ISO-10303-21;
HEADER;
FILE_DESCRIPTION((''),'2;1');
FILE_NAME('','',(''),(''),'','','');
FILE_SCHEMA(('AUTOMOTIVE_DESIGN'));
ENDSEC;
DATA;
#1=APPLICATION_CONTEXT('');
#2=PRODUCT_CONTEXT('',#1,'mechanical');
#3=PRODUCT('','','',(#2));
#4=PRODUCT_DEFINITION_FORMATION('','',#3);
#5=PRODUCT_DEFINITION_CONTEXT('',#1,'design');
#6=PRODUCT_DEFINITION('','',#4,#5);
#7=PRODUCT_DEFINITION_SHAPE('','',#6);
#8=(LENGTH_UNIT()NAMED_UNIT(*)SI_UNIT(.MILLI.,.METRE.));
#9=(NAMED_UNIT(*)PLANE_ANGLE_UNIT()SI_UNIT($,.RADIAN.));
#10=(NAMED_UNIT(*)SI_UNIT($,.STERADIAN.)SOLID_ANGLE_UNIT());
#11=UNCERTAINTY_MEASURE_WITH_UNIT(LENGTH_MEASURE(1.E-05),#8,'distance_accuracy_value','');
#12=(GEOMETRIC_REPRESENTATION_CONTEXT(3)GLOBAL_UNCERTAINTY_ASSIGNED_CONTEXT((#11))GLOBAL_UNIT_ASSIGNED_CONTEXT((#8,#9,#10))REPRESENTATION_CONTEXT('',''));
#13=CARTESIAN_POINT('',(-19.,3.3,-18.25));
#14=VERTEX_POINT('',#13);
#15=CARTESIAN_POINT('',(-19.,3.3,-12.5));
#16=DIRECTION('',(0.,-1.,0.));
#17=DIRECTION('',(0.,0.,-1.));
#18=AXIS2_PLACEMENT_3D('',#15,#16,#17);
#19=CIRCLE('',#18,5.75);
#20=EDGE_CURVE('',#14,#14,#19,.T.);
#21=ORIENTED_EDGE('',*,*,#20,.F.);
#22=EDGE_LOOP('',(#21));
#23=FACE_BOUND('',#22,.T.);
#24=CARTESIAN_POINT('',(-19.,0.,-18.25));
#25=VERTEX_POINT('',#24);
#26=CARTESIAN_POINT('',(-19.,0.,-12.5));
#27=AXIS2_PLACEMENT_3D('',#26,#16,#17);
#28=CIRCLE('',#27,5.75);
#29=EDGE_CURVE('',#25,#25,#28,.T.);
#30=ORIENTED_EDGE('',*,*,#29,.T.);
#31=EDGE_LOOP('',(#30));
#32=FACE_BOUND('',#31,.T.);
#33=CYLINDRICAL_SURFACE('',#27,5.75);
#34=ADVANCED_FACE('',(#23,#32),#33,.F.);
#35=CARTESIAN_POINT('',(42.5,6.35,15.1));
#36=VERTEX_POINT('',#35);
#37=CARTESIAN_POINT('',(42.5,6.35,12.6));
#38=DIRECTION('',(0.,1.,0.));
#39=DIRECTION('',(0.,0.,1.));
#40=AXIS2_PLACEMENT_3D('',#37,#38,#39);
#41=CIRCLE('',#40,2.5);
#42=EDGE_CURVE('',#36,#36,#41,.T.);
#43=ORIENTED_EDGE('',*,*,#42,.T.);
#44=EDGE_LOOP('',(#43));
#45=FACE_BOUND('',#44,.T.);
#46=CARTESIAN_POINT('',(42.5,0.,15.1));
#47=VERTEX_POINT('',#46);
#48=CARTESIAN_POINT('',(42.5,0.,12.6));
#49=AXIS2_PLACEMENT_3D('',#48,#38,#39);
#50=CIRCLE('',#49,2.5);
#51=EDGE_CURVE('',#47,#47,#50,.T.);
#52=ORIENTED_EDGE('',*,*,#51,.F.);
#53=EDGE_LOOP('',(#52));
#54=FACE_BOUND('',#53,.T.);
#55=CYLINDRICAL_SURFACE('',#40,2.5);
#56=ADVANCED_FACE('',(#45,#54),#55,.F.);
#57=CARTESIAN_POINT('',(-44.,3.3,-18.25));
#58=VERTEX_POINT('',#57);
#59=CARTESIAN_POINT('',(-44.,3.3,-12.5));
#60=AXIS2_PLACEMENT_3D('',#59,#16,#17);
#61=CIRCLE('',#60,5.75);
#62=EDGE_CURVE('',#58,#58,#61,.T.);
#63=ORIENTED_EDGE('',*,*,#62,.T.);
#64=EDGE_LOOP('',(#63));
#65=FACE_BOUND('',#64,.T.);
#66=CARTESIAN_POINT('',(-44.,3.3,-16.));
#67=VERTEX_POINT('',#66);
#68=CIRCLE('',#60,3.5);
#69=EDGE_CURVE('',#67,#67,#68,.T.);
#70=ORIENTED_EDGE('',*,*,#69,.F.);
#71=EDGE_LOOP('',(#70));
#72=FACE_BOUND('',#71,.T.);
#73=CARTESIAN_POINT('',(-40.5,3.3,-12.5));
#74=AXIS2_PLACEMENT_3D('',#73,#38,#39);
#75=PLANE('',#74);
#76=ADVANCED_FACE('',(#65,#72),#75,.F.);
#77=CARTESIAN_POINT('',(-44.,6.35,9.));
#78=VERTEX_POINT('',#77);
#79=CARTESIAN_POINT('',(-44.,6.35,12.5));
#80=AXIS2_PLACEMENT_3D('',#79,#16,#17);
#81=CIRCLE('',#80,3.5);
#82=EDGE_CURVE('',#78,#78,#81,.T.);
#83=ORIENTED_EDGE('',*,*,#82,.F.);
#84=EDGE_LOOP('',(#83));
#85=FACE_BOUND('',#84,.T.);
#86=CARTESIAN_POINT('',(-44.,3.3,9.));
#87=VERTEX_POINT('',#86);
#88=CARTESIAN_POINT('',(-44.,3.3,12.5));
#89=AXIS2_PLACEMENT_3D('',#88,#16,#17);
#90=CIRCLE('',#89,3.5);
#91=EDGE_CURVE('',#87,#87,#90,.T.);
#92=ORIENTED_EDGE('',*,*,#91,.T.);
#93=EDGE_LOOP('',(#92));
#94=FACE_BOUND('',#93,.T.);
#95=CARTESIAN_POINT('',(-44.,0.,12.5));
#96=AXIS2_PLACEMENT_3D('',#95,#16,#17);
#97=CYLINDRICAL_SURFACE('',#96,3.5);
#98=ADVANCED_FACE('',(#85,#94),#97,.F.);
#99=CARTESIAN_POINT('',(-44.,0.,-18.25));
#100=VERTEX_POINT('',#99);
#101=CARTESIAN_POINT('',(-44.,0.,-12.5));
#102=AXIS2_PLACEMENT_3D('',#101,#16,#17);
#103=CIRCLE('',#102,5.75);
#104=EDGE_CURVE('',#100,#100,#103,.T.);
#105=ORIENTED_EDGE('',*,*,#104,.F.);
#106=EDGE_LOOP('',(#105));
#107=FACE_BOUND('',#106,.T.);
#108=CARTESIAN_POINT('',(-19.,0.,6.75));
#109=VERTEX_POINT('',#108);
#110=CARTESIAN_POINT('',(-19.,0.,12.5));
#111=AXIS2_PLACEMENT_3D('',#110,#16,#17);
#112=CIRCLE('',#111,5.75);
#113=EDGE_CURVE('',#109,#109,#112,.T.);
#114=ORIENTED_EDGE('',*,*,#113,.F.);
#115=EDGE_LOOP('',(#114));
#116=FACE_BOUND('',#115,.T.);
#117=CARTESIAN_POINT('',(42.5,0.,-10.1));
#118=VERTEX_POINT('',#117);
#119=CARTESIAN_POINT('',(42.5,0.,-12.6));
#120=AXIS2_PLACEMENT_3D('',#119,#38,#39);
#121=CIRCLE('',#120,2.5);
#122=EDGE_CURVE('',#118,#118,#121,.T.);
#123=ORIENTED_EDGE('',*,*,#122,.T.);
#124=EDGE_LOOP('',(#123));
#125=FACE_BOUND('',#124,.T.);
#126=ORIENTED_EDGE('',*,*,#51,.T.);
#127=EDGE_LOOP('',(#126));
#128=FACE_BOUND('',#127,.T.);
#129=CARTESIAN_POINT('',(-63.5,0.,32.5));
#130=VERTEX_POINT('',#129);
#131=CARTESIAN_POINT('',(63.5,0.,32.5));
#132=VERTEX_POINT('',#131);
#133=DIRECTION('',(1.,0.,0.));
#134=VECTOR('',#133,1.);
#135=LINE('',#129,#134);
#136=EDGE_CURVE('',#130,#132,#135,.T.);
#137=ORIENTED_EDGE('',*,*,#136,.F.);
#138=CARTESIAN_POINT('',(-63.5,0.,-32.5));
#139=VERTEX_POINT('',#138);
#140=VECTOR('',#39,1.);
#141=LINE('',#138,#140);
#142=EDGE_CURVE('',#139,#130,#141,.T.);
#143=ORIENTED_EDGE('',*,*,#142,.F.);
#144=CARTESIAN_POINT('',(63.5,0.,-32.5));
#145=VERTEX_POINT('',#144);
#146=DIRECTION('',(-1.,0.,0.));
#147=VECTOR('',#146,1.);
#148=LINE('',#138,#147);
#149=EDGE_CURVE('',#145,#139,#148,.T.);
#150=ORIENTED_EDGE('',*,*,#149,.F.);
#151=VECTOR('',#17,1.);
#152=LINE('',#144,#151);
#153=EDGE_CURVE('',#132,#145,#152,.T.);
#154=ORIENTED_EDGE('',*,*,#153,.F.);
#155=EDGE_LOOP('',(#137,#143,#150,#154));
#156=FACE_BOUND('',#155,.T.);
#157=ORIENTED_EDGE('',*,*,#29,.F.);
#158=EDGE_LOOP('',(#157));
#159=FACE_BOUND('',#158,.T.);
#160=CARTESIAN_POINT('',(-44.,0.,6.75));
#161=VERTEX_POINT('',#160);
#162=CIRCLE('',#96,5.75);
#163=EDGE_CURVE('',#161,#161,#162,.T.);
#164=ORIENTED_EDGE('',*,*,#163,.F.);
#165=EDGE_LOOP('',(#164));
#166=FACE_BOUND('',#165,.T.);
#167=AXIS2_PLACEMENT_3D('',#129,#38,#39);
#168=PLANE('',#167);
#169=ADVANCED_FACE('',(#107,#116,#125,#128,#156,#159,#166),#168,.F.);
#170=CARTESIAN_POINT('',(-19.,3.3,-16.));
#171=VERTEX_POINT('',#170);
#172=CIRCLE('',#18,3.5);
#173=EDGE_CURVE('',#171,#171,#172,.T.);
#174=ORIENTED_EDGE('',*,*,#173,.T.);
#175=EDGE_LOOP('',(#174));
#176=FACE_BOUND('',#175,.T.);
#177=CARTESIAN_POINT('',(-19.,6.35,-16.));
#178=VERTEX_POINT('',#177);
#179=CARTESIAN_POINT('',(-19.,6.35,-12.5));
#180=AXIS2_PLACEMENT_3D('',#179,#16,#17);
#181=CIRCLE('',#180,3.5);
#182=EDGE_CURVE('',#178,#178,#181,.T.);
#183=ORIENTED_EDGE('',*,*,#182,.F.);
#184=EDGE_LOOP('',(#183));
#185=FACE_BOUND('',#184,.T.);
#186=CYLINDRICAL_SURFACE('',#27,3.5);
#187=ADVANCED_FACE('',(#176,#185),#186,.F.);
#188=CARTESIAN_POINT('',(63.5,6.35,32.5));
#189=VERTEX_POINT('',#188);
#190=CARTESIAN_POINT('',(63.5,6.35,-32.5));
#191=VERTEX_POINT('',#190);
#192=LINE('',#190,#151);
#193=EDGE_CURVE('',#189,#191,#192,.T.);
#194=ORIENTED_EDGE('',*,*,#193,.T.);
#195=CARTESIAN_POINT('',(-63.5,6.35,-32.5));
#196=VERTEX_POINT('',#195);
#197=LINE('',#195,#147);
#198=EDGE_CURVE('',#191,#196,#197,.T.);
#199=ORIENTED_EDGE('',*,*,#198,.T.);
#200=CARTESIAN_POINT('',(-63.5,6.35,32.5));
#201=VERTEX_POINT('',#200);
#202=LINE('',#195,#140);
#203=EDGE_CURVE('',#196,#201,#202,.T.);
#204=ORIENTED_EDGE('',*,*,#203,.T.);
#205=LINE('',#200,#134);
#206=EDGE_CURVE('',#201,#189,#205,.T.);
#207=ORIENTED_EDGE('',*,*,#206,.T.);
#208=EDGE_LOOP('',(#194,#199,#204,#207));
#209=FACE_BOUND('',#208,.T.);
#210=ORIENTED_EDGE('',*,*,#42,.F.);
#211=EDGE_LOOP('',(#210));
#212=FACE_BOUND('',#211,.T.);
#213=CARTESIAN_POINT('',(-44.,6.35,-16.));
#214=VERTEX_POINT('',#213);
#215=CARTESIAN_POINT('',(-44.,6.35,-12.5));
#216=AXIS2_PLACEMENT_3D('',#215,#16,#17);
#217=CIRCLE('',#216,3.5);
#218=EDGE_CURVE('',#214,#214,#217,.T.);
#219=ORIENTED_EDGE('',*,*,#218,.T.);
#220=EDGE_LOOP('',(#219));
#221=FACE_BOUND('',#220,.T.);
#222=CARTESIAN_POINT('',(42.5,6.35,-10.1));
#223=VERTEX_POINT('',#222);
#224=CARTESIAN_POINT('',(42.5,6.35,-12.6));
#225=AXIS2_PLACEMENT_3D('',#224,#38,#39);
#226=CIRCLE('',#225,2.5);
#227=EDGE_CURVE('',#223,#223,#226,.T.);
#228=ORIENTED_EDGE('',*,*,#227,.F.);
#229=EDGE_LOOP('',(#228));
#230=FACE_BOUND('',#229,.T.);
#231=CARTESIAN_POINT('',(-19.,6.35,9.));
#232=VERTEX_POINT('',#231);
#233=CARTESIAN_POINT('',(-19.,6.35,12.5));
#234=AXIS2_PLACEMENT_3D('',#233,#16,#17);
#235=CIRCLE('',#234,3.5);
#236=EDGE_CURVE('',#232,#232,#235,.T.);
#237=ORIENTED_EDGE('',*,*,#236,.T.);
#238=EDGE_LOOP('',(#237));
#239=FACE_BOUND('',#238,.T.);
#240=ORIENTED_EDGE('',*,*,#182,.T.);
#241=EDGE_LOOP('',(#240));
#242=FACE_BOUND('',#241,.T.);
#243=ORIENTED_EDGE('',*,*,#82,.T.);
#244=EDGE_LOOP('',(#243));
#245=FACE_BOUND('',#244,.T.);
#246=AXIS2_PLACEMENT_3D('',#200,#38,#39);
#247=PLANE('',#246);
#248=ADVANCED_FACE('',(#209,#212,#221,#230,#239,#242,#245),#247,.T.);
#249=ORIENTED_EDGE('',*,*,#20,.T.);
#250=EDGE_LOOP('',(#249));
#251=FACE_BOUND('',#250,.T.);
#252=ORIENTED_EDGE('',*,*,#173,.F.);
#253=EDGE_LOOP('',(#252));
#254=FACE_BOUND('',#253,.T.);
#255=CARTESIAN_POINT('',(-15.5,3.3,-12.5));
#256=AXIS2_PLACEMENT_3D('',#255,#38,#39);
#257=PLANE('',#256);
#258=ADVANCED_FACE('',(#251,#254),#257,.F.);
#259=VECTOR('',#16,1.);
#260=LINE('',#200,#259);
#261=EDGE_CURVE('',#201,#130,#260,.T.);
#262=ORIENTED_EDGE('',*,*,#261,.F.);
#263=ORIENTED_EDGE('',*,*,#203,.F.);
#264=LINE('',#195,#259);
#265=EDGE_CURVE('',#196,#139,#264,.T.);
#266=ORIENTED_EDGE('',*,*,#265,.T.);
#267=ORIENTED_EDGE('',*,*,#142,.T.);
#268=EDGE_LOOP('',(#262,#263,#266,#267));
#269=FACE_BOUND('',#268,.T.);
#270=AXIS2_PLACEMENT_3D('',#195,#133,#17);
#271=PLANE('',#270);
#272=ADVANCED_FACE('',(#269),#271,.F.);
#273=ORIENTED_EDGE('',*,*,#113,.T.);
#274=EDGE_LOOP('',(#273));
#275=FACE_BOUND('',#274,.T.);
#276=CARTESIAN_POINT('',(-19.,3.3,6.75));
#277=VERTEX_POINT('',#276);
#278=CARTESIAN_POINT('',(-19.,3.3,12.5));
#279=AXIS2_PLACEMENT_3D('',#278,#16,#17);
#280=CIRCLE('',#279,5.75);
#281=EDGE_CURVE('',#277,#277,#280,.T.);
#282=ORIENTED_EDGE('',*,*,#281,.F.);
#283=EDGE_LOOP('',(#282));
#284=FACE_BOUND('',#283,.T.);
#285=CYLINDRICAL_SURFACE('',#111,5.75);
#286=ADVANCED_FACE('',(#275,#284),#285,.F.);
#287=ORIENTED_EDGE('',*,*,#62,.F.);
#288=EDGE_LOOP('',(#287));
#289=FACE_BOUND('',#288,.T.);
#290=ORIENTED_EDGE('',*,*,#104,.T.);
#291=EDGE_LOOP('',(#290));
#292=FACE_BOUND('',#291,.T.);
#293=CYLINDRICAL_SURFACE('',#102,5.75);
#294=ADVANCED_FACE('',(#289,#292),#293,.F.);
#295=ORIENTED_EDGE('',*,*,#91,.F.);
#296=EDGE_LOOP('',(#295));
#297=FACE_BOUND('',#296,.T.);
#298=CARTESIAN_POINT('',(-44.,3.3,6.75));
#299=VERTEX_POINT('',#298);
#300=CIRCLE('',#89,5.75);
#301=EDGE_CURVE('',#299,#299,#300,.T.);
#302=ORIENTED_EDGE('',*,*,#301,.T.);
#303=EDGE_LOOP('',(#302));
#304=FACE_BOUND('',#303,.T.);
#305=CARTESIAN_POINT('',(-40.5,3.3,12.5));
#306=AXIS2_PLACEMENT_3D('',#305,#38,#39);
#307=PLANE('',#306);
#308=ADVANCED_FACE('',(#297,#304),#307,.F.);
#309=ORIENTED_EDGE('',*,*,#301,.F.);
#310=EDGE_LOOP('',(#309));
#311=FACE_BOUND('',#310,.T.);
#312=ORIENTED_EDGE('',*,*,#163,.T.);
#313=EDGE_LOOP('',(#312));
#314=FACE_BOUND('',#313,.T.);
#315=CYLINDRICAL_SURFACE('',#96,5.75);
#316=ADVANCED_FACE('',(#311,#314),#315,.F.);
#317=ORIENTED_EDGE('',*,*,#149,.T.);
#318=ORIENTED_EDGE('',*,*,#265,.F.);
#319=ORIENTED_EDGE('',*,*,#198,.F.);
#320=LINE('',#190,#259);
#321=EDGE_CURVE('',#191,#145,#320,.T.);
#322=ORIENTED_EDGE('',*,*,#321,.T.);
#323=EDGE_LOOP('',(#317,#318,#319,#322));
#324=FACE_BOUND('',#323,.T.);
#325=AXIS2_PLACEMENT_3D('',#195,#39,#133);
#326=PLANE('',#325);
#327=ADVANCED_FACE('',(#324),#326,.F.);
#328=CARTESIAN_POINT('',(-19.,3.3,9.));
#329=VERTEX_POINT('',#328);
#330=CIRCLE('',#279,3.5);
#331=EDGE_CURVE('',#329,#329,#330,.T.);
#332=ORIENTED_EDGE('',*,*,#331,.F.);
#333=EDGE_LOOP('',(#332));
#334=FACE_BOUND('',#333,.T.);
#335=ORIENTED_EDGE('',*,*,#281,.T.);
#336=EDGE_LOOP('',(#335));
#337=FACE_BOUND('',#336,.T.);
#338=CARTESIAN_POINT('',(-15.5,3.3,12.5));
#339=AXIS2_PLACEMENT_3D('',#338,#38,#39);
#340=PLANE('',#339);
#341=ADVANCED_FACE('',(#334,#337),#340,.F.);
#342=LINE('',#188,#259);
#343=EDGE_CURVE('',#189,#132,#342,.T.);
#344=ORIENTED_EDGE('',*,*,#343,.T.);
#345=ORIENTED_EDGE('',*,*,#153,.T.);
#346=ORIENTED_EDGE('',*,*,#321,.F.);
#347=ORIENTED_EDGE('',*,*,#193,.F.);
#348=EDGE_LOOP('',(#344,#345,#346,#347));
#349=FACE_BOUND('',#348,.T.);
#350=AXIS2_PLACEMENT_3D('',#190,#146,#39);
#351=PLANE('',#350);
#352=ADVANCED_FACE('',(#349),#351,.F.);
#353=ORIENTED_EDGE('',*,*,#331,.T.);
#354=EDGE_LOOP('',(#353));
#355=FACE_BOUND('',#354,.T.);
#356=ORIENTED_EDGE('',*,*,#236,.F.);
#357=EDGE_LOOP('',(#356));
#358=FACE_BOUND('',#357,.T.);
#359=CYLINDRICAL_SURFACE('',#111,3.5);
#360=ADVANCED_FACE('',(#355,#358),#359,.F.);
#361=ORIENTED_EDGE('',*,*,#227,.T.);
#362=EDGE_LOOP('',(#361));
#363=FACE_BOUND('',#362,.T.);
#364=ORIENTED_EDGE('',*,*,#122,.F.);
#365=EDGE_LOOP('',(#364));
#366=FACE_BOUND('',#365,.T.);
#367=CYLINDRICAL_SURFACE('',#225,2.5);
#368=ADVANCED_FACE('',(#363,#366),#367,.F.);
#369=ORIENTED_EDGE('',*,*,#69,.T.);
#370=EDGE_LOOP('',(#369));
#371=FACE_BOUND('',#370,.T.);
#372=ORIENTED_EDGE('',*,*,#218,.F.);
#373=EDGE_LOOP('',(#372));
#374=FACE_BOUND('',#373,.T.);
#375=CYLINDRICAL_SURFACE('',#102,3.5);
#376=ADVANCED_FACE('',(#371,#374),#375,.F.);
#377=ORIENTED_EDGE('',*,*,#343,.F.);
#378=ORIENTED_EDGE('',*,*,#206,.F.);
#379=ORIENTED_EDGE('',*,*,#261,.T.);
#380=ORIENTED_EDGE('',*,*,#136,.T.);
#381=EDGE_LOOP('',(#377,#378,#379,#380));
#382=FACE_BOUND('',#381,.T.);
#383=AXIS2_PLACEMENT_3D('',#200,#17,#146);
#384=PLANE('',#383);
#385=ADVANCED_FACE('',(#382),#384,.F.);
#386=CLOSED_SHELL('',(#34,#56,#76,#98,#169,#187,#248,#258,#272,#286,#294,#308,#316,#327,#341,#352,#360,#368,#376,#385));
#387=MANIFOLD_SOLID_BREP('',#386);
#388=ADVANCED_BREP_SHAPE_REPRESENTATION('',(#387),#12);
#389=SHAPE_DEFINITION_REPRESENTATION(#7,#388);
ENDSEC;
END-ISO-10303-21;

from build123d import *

# Parameters (mm, degrees)
SKETCH1_W                       = 127
SKETCH1_H                       = 65
EXTRUDE1_DEPTH                  = 6.35
M6X1_0_TAPPED_HOLE1_D           = 5
CBORE_FOR_M6_SBHCS1_D           = 7
CBORE_FOR_M6_SBHCS1_CBORE_D     = 11.5
CBORE_FOR_M6_SBHCS1_CBORE_DEPTH = 3.3


with BuildPart() as part:
    # Sketch1 → Extrude1 (new body)
    with BuildSketch(Plane(origin=(0, 0, 0), x_dir=(1, 0, 0), z_dir=(0, 1, 0))):
        Rectangle(SKETCH1_W, SKETCH1_H)
    extrude(amount=EXTRUDE1_DEPTH)

    # M6x1.0 Tapped Hole1 (through all)
    with Locations(Plane(origin=(0, 6.35, 0), x_dir=(-1, 0, 0), z_dir=(0, 1, 0))):
        with Locations((-42.5, -12.6), (-42.5, 12.6)):
            Hole(M6X1_0_TAPPED_HOLE1_D / 2)

    # CBORE for M6 SBHCS1 (through all)
    with Locations(Plane.XZ):
        with Locations((-44, 12.5), (-19, 12.5), (-19, -12.5), (-44, -12.5)):
            CounterBoreHole(CBORE_FOR_M6_SBHCS1_D / 2, CBORE_FOR_M6_SBHCS1_CBORE_D / 2, CBORE_FOR_M6_SBHCS1_CBORE_DEPTH)


solid = part.part
